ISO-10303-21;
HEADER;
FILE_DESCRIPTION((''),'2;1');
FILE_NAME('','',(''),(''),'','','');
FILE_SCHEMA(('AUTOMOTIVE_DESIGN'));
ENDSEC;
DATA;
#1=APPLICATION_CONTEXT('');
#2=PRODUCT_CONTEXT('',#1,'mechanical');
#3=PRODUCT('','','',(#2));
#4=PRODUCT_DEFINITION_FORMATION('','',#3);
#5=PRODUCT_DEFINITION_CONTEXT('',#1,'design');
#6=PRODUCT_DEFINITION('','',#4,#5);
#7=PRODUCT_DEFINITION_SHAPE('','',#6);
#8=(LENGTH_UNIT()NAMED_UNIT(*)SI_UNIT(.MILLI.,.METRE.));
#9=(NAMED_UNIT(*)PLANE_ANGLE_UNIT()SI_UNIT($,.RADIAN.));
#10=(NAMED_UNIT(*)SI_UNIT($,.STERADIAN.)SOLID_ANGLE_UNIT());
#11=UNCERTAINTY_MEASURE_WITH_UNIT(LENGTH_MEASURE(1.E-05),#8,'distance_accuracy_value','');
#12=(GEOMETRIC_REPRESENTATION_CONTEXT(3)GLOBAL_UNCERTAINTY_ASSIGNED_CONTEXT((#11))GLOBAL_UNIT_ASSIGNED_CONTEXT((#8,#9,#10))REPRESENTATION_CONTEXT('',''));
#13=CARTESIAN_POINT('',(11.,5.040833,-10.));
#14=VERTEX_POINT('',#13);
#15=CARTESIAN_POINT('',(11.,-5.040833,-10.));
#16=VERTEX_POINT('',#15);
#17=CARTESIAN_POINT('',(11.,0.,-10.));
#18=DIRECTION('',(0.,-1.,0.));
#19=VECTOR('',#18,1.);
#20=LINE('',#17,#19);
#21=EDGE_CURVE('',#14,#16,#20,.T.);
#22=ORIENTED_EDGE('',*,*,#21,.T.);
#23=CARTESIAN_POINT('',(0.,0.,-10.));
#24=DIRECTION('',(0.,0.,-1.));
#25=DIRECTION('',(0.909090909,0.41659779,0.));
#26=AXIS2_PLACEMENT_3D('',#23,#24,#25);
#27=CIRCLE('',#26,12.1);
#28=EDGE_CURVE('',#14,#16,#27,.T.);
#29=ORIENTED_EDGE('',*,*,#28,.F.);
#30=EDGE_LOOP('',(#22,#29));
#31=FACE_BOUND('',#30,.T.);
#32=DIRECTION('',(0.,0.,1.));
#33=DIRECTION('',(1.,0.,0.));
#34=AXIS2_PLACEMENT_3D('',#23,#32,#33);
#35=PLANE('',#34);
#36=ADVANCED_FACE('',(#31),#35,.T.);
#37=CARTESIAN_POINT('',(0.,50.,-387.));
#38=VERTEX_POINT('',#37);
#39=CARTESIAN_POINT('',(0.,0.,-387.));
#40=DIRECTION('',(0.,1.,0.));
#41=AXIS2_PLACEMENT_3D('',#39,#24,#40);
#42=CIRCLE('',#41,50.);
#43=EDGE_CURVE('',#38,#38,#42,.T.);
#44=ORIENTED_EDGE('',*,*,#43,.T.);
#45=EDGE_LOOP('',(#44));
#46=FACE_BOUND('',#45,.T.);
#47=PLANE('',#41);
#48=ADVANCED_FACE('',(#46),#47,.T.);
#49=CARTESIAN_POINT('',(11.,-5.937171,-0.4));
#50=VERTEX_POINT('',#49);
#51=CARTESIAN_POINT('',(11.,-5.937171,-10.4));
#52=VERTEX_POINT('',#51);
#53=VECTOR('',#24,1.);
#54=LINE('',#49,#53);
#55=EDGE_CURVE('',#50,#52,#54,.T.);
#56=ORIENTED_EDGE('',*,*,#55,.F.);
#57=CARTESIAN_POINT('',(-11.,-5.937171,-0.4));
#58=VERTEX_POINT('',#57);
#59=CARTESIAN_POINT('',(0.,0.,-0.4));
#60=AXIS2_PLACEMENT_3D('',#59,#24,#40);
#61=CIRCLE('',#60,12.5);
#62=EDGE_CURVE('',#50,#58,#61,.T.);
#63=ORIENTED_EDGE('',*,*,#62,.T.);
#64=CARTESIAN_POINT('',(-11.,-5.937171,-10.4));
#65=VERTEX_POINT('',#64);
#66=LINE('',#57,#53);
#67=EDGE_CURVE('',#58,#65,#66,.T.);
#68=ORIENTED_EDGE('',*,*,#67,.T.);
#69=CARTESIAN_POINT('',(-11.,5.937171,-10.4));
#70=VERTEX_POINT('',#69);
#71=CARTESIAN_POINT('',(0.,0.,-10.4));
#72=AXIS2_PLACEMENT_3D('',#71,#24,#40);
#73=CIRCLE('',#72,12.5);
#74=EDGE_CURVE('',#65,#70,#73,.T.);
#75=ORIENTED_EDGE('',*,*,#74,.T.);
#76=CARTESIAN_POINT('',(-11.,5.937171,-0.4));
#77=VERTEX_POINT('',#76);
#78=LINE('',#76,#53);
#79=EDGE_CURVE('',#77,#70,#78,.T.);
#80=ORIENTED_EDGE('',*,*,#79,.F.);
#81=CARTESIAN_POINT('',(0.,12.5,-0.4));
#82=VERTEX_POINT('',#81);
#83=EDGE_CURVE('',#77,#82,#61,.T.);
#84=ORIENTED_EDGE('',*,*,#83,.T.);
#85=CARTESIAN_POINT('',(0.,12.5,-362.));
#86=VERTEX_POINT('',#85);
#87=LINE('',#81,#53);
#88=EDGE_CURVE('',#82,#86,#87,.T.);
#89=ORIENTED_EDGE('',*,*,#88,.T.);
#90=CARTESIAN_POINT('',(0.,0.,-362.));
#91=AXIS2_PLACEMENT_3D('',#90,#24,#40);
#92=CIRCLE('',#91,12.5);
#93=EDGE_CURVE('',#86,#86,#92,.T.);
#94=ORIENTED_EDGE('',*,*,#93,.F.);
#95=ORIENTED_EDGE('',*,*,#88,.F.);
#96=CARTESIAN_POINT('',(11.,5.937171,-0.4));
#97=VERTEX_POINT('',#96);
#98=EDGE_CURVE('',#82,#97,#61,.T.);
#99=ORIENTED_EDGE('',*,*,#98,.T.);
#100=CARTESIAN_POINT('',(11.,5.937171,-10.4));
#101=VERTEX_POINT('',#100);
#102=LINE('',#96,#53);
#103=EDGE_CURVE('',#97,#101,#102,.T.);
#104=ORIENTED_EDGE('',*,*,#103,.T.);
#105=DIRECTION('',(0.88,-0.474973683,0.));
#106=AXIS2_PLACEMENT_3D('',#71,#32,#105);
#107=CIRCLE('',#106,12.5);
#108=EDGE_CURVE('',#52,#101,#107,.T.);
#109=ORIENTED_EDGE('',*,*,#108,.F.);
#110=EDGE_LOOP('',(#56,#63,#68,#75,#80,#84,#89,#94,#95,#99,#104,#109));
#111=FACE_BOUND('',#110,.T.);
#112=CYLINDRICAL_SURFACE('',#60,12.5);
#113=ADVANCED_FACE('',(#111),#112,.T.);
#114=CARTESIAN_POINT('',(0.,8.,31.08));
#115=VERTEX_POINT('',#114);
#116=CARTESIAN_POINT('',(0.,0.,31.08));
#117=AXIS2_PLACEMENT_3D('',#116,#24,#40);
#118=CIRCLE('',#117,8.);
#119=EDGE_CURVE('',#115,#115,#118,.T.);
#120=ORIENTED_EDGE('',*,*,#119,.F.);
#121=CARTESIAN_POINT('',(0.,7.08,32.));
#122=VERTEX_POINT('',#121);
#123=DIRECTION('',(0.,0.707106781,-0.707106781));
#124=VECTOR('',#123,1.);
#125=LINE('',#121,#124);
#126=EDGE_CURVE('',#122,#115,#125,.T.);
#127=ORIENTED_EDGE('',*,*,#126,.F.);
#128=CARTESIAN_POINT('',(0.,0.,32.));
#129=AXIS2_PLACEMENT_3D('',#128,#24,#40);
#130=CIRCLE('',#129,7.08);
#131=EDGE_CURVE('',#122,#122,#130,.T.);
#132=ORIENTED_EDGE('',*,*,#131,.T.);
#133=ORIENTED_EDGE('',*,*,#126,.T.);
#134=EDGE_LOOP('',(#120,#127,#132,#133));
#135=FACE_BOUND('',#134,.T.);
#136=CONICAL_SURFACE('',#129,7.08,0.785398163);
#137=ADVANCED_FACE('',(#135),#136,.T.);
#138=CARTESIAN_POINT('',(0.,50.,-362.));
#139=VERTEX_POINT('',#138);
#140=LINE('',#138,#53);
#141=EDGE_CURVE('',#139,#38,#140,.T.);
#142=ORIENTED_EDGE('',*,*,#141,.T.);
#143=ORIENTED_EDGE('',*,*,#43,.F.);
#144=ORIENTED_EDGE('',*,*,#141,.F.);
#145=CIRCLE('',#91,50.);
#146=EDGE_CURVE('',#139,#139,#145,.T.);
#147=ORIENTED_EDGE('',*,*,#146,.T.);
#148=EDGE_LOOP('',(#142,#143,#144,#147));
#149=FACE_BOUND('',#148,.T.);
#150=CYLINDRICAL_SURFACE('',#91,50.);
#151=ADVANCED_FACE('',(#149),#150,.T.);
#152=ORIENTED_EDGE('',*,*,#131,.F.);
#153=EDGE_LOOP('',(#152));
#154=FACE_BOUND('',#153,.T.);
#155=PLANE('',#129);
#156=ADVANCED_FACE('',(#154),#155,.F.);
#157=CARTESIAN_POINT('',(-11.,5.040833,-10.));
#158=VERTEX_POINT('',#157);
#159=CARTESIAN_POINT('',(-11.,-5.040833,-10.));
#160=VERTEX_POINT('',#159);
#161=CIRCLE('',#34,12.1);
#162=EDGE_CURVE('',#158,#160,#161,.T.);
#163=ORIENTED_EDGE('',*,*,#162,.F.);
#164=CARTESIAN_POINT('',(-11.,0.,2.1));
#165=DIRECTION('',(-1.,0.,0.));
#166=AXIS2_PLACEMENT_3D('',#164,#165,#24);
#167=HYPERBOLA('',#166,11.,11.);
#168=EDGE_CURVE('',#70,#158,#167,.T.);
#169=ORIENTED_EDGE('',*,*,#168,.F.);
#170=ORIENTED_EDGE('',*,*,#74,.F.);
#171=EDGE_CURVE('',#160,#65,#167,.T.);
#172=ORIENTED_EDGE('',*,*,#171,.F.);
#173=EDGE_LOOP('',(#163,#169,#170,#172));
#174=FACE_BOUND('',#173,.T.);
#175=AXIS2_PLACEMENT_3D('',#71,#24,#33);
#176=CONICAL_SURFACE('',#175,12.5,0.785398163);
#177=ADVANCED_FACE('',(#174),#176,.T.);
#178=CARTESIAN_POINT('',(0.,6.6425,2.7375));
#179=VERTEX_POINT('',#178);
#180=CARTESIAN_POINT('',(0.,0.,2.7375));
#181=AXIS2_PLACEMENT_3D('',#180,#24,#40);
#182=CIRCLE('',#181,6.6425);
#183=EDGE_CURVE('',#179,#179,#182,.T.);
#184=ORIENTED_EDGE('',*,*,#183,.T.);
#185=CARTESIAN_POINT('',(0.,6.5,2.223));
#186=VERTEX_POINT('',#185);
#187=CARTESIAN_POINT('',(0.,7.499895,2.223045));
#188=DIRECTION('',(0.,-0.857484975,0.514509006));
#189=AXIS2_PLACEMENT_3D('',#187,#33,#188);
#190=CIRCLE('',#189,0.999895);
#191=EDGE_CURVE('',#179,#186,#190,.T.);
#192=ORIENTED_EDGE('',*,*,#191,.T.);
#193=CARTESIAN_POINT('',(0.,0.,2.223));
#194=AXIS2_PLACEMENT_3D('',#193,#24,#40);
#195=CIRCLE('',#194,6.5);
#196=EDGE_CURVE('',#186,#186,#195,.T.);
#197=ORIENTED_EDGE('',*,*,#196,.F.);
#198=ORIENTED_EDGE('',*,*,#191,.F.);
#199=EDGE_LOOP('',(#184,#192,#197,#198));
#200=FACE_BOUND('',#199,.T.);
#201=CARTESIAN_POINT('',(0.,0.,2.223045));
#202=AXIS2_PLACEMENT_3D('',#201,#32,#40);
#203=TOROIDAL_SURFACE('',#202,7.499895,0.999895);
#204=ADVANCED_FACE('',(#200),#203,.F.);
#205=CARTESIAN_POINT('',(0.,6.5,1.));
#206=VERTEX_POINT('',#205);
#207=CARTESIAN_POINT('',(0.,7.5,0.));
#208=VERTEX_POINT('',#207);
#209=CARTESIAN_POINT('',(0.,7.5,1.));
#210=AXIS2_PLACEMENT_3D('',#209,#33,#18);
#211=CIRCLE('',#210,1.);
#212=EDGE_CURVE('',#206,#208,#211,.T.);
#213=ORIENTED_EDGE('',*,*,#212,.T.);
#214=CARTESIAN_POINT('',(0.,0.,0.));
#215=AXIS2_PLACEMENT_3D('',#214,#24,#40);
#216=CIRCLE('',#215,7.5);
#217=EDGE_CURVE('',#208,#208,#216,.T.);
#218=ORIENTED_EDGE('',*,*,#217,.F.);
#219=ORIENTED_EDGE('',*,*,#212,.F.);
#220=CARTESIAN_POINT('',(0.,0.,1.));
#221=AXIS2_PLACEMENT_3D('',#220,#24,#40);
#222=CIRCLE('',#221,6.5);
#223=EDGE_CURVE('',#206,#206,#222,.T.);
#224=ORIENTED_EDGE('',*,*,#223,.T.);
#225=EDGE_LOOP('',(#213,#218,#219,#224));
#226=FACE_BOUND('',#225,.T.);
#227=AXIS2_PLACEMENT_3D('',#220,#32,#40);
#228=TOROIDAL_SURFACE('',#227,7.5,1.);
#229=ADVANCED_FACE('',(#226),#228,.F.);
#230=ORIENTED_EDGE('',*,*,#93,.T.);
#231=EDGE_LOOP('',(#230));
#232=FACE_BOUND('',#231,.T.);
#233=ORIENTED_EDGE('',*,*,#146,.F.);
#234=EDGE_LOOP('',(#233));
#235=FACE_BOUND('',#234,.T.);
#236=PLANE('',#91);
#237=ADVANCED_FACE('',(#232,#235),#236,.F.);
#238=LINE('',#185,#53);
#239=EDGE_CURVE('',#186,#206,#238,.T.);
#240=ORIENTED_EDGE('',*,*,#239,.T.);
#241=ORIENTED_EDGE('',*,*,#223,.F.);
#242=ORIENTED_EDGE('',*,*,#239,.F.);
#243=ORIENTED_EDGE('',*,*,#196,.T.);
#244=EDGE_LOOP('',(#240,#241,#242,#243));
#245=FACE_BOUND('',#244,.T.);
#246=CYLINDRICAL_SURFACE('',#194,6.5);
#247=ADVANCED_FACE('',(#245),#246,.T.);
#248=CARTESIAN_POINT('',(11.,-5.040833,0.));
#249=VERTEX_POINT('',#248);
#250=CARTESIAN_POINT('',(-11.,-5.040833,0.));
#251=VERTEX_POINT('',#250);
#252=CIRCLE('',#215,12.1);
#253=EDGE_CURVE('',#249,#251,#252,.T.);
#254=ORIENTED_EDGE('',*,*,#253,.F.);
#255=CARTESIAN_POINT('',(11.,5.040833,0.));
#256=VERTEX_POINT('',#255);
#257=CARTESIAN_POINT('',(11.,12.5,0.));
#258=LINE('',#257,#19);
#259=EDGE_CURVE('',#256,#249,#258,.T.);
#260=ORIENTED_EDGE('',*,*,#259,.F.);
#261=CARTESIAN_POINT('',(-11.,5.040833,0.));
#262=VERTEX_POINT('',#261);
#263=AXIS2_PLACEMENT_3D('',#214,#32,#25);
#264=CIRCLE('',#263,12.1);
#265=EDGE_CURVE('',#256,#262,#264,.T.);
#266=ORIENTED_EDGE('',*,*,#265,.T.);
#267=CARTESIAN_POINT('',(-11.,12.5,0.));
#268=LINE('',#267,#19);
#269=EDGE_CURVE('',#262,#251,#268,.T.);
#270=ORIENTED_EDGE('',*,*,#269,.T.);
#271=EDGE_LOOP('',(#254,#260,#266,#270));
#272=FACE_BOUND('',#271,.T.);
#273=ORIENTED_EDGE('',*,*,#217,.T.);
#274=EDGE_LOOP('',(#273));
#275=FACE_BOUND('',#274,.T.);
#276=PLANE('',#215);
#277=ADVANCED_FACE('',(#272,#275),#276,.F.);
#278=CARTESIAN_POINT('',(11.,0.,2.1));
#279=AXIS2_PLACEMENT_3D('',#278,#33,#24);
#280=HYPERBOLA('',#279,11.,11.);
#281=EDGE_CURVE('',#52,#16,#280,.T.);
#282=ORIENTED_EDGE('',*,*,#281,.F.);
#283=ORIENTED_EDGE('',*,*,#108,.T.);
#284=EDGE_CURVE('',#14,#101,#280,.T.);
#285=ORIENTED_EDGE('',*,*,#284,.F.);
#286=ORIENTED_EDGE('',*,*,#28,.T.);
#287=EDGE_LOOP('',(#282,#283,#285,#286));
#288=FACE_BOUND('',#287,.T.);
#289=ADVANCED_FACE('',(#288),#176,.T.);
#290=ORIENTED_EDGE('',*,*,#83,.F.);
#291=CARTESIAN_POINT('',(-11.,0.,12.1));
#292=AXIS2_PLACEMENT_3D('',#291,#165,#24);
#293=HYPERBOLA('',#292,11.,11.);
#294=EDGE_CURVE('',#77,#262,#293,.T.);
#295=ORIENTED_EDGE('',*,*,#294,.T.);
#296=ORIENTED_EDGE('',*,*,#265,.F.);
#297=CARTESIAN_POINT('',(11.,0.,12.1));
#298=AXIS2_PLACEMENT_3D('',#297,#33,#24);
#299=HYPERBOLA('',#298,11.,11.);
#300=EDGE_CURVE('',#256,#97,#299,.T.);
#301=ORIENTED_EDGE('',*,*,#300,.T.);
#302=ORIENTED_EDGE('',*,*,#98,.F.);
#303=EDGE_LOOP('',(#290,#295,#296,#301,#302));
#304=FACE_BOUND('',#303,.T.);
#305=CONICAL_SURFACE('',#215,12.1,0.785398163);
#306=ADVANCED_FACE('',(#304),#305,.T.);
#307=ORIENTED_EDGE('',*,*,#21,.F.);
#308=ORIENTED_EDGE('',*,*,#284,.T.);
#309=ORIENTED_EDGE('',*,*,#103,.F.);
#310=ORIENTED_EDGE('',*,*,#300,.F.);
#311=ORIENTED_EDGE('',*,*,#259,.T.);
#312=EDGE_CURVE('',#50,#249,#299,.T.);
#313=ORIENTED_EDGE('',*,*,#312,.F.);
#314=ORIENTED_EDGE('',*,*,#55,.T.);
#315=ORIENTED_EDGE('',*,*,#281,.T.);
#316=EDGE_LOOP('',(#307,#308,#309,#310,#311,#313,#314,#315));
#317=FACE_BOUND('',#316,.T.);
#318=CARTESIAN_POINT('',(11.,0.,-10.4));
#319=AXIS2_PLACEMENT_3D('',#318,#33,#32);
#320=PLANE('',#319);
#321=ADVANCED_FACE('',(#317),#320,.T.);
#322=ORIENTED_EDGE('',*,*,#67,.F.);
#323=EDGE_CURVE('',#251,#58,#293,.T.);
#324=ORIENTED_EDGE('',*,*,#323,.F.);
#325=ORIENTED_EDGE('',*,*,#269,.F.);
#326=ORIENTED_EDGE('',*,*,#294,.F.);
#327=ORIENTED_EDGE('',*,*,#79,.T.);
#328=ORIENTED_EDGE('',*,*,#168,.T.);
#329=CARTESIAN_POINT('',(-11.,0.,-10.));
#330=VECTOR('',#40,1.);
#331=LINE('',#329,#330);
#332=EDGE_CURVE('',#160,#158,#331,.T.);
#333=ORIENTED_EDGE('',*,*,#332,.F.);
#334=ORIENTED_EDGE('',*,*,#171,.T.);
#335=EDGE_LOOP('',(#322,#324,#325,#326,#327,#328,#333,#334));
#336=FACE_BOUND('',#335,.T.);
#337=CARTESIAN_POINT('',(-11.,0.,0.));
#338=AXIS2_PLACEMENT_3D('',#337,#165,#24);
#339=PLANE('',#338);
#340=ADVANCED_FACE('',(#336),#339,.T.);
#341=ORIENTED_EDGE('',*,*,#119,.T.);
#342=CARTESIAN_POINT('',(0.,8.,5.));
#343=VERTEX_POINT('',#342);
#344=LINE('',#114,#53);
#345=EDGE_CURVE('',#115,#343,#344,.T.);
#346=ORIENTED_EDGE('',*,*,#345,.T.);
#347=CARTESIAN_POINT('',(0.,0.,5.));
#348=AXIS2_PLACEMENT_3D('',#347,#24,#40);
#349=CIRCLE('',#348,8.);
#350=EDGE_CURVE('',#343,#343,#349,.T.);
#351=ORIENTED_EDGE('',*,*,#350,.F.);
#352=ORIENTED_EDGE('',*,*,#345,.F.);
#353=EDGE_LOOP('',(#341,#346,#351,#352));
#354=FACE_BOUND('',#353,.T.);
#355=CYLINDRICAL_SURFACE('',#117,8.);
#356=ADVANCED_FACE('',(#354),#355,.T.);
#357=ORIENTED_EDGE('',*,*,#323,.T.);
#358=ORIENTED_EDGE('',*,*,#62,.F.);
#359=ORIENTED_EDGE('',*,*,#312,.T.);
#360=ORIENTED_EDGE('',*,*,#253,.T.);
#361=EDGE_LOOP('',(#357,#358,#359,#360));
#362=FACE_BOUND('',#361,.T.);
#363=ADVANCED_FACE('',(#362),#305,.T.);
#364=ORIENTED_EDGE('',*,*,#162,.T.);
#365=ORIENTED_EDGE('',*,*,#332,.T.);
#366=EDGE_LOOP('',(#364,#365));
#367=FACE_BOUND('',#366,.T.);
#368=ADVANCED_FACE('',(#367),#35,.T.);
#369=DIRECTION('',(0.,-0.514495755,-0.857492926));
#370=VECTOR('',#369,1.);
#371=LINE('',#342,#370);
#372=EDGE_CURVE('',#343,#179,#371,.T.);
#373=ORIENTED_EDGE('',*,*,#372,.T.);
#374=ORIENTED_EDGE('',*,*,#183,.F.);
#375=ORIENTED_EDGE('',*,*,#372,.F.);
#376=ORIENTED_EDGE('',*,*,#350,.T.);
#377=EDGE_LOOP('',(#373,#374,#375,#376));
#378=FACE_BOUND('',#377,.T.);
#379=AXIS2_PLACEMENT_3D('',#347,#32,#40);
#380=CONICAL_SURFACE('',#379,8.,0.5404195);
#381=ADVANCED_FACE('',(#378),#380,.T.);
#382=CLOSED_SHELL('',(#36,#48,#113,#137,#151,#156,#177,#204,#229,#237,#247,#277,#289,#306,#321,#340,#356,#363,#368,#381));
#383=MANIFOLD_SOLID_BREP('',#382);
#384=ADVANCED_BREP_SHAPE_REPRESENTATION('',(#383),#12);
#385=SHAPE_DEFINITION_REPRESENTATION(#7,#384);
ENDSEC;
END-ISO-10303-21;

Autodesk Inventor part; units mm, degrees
sketch "Sketch_1" plane through (0, 0, 0) normal (1, 0, 0) x (0, 1, 0)
  line L0 (0, -387) -> (0, 0)
  line L1 (0, 0) -> (12.1, 0)
  line L2 (12.1, 0) -> (12.5, -0.4)
  line L3 (12.5, -0.4) -> (12.5, -362)
  line L4 (12.5, -362) -> (50, -362)
  line L5 (50, -362) -> (50, -387)
  line L6 (50, -387) -> (0, -387)
  line L7 (0, -387) -> (0, 0)
revolve "Revolution1" add sketch "Sketch_1" angle 360 about axis through (0, 0, -387) along (0, 0, -1)
sketch "Sketch_2" plane through (0, 0, 0) normal (1, 0, 0) x (0, 1, 0)
  line L0 (0, -1) -> (0, 32)
  line L1 (0, 32) -> (7.08, 32)
  line L2 (7.08, 32) -> (8, 31.08)
  line L3 (8, 31.08) -> (8, 5)
  line L4 (8, 5) -> (6.6425, 2.7375)
  arc A0 (6.6425, 2.7375) -> (6.5, 2.223) centre (7.5, 2.223) ccw
  line L5 (6.5, 2.223) -> (6.5, 1)
  arc A1 (6.5, 1) -> (7.5, 0) centre (7.5, 1) ccw
  line L6 (7.5, 0) -> (8, 0)
  line L7 (8, 0) -> (8, -1)
  line L8 (8, -1) -> (0, -1)
  line L9 (0, -1) -> (0, 32)
revolve "Revolution2" add sketch "Sketch_2" angle 360 about axis through (0, 0, -1) along (0, 0, -1)
thread "Thread1" size "M16x1.5" class "6g" standard "ISO Metric profile" full length
sketch "Sketch_4" plane through (0, 0, 0) normal (0, 1, 0) x (-1, 0, 0)
  line L0 (15.5, -10.4) -> (15.5, 36.6)
  line L1 (15.5, 36.6) -> (-15.5, 36.6)
  line L2 (-15.5, 36.6) -> (-15.5, -10.4)
  line L3 (-15.5, -10.4) -> (-11, -10.4)
  line L4 (-11, -10.4) -> (-11, 0)
  line L5 (-11, 0) -> (-14.5, 0)
  line L6 (-14.5, 0) -> (-14.5, 35.6)
  line L7 (-14.5, 35.6) -> (14.5, 35.6)
  line L8 (14.5, 35.6) -> (14.5, 0)
  line L9 (14.5, 0) -> (11, 0)
  line L10 (11, 0) -> (11, -10.4)
  line L11 (11, -10.4) -> (15.5, -10.4)
extrude "Extrusion1" cut sketch "Sketch_4" along normal mid plane 25
sketch "Sketch_5" plane through (0, 0, 0) normal (0, 1, 0) x (-1, 0, 0)
  line L0 (0, -10) -> (0, -10.4)
  line L1 (0, -10.4) -> (-12.5, -10.4)
  line L2 (-12.5, -10.4) -> (-12.1, -10)
  line L3 (-12.1, -10) -> (0, -10)
  line L4 (0, -10) -> (0, -10.4)
revolve "Revolution3" add sketch "Sketch_5" angle 360 about axis through (0, 0, -10) along (0, 0, 1)
ref_plane "KOLBEN_XY" through (0, 0, -387) normal (0, 0, -1) x (1, 0, 0)
ref_plane "KOLBEN_YZ" through (0, 0, -387) normal (1, 0, 0) x (0, -1, 0)
ref_plane "KOLBEN_ZX" through (0, 0, -387) normal (0, -1, 0) x (0, 0, -1)
properties part number "1808236 DFPI-100-280-ND2P-E-P(K)"
